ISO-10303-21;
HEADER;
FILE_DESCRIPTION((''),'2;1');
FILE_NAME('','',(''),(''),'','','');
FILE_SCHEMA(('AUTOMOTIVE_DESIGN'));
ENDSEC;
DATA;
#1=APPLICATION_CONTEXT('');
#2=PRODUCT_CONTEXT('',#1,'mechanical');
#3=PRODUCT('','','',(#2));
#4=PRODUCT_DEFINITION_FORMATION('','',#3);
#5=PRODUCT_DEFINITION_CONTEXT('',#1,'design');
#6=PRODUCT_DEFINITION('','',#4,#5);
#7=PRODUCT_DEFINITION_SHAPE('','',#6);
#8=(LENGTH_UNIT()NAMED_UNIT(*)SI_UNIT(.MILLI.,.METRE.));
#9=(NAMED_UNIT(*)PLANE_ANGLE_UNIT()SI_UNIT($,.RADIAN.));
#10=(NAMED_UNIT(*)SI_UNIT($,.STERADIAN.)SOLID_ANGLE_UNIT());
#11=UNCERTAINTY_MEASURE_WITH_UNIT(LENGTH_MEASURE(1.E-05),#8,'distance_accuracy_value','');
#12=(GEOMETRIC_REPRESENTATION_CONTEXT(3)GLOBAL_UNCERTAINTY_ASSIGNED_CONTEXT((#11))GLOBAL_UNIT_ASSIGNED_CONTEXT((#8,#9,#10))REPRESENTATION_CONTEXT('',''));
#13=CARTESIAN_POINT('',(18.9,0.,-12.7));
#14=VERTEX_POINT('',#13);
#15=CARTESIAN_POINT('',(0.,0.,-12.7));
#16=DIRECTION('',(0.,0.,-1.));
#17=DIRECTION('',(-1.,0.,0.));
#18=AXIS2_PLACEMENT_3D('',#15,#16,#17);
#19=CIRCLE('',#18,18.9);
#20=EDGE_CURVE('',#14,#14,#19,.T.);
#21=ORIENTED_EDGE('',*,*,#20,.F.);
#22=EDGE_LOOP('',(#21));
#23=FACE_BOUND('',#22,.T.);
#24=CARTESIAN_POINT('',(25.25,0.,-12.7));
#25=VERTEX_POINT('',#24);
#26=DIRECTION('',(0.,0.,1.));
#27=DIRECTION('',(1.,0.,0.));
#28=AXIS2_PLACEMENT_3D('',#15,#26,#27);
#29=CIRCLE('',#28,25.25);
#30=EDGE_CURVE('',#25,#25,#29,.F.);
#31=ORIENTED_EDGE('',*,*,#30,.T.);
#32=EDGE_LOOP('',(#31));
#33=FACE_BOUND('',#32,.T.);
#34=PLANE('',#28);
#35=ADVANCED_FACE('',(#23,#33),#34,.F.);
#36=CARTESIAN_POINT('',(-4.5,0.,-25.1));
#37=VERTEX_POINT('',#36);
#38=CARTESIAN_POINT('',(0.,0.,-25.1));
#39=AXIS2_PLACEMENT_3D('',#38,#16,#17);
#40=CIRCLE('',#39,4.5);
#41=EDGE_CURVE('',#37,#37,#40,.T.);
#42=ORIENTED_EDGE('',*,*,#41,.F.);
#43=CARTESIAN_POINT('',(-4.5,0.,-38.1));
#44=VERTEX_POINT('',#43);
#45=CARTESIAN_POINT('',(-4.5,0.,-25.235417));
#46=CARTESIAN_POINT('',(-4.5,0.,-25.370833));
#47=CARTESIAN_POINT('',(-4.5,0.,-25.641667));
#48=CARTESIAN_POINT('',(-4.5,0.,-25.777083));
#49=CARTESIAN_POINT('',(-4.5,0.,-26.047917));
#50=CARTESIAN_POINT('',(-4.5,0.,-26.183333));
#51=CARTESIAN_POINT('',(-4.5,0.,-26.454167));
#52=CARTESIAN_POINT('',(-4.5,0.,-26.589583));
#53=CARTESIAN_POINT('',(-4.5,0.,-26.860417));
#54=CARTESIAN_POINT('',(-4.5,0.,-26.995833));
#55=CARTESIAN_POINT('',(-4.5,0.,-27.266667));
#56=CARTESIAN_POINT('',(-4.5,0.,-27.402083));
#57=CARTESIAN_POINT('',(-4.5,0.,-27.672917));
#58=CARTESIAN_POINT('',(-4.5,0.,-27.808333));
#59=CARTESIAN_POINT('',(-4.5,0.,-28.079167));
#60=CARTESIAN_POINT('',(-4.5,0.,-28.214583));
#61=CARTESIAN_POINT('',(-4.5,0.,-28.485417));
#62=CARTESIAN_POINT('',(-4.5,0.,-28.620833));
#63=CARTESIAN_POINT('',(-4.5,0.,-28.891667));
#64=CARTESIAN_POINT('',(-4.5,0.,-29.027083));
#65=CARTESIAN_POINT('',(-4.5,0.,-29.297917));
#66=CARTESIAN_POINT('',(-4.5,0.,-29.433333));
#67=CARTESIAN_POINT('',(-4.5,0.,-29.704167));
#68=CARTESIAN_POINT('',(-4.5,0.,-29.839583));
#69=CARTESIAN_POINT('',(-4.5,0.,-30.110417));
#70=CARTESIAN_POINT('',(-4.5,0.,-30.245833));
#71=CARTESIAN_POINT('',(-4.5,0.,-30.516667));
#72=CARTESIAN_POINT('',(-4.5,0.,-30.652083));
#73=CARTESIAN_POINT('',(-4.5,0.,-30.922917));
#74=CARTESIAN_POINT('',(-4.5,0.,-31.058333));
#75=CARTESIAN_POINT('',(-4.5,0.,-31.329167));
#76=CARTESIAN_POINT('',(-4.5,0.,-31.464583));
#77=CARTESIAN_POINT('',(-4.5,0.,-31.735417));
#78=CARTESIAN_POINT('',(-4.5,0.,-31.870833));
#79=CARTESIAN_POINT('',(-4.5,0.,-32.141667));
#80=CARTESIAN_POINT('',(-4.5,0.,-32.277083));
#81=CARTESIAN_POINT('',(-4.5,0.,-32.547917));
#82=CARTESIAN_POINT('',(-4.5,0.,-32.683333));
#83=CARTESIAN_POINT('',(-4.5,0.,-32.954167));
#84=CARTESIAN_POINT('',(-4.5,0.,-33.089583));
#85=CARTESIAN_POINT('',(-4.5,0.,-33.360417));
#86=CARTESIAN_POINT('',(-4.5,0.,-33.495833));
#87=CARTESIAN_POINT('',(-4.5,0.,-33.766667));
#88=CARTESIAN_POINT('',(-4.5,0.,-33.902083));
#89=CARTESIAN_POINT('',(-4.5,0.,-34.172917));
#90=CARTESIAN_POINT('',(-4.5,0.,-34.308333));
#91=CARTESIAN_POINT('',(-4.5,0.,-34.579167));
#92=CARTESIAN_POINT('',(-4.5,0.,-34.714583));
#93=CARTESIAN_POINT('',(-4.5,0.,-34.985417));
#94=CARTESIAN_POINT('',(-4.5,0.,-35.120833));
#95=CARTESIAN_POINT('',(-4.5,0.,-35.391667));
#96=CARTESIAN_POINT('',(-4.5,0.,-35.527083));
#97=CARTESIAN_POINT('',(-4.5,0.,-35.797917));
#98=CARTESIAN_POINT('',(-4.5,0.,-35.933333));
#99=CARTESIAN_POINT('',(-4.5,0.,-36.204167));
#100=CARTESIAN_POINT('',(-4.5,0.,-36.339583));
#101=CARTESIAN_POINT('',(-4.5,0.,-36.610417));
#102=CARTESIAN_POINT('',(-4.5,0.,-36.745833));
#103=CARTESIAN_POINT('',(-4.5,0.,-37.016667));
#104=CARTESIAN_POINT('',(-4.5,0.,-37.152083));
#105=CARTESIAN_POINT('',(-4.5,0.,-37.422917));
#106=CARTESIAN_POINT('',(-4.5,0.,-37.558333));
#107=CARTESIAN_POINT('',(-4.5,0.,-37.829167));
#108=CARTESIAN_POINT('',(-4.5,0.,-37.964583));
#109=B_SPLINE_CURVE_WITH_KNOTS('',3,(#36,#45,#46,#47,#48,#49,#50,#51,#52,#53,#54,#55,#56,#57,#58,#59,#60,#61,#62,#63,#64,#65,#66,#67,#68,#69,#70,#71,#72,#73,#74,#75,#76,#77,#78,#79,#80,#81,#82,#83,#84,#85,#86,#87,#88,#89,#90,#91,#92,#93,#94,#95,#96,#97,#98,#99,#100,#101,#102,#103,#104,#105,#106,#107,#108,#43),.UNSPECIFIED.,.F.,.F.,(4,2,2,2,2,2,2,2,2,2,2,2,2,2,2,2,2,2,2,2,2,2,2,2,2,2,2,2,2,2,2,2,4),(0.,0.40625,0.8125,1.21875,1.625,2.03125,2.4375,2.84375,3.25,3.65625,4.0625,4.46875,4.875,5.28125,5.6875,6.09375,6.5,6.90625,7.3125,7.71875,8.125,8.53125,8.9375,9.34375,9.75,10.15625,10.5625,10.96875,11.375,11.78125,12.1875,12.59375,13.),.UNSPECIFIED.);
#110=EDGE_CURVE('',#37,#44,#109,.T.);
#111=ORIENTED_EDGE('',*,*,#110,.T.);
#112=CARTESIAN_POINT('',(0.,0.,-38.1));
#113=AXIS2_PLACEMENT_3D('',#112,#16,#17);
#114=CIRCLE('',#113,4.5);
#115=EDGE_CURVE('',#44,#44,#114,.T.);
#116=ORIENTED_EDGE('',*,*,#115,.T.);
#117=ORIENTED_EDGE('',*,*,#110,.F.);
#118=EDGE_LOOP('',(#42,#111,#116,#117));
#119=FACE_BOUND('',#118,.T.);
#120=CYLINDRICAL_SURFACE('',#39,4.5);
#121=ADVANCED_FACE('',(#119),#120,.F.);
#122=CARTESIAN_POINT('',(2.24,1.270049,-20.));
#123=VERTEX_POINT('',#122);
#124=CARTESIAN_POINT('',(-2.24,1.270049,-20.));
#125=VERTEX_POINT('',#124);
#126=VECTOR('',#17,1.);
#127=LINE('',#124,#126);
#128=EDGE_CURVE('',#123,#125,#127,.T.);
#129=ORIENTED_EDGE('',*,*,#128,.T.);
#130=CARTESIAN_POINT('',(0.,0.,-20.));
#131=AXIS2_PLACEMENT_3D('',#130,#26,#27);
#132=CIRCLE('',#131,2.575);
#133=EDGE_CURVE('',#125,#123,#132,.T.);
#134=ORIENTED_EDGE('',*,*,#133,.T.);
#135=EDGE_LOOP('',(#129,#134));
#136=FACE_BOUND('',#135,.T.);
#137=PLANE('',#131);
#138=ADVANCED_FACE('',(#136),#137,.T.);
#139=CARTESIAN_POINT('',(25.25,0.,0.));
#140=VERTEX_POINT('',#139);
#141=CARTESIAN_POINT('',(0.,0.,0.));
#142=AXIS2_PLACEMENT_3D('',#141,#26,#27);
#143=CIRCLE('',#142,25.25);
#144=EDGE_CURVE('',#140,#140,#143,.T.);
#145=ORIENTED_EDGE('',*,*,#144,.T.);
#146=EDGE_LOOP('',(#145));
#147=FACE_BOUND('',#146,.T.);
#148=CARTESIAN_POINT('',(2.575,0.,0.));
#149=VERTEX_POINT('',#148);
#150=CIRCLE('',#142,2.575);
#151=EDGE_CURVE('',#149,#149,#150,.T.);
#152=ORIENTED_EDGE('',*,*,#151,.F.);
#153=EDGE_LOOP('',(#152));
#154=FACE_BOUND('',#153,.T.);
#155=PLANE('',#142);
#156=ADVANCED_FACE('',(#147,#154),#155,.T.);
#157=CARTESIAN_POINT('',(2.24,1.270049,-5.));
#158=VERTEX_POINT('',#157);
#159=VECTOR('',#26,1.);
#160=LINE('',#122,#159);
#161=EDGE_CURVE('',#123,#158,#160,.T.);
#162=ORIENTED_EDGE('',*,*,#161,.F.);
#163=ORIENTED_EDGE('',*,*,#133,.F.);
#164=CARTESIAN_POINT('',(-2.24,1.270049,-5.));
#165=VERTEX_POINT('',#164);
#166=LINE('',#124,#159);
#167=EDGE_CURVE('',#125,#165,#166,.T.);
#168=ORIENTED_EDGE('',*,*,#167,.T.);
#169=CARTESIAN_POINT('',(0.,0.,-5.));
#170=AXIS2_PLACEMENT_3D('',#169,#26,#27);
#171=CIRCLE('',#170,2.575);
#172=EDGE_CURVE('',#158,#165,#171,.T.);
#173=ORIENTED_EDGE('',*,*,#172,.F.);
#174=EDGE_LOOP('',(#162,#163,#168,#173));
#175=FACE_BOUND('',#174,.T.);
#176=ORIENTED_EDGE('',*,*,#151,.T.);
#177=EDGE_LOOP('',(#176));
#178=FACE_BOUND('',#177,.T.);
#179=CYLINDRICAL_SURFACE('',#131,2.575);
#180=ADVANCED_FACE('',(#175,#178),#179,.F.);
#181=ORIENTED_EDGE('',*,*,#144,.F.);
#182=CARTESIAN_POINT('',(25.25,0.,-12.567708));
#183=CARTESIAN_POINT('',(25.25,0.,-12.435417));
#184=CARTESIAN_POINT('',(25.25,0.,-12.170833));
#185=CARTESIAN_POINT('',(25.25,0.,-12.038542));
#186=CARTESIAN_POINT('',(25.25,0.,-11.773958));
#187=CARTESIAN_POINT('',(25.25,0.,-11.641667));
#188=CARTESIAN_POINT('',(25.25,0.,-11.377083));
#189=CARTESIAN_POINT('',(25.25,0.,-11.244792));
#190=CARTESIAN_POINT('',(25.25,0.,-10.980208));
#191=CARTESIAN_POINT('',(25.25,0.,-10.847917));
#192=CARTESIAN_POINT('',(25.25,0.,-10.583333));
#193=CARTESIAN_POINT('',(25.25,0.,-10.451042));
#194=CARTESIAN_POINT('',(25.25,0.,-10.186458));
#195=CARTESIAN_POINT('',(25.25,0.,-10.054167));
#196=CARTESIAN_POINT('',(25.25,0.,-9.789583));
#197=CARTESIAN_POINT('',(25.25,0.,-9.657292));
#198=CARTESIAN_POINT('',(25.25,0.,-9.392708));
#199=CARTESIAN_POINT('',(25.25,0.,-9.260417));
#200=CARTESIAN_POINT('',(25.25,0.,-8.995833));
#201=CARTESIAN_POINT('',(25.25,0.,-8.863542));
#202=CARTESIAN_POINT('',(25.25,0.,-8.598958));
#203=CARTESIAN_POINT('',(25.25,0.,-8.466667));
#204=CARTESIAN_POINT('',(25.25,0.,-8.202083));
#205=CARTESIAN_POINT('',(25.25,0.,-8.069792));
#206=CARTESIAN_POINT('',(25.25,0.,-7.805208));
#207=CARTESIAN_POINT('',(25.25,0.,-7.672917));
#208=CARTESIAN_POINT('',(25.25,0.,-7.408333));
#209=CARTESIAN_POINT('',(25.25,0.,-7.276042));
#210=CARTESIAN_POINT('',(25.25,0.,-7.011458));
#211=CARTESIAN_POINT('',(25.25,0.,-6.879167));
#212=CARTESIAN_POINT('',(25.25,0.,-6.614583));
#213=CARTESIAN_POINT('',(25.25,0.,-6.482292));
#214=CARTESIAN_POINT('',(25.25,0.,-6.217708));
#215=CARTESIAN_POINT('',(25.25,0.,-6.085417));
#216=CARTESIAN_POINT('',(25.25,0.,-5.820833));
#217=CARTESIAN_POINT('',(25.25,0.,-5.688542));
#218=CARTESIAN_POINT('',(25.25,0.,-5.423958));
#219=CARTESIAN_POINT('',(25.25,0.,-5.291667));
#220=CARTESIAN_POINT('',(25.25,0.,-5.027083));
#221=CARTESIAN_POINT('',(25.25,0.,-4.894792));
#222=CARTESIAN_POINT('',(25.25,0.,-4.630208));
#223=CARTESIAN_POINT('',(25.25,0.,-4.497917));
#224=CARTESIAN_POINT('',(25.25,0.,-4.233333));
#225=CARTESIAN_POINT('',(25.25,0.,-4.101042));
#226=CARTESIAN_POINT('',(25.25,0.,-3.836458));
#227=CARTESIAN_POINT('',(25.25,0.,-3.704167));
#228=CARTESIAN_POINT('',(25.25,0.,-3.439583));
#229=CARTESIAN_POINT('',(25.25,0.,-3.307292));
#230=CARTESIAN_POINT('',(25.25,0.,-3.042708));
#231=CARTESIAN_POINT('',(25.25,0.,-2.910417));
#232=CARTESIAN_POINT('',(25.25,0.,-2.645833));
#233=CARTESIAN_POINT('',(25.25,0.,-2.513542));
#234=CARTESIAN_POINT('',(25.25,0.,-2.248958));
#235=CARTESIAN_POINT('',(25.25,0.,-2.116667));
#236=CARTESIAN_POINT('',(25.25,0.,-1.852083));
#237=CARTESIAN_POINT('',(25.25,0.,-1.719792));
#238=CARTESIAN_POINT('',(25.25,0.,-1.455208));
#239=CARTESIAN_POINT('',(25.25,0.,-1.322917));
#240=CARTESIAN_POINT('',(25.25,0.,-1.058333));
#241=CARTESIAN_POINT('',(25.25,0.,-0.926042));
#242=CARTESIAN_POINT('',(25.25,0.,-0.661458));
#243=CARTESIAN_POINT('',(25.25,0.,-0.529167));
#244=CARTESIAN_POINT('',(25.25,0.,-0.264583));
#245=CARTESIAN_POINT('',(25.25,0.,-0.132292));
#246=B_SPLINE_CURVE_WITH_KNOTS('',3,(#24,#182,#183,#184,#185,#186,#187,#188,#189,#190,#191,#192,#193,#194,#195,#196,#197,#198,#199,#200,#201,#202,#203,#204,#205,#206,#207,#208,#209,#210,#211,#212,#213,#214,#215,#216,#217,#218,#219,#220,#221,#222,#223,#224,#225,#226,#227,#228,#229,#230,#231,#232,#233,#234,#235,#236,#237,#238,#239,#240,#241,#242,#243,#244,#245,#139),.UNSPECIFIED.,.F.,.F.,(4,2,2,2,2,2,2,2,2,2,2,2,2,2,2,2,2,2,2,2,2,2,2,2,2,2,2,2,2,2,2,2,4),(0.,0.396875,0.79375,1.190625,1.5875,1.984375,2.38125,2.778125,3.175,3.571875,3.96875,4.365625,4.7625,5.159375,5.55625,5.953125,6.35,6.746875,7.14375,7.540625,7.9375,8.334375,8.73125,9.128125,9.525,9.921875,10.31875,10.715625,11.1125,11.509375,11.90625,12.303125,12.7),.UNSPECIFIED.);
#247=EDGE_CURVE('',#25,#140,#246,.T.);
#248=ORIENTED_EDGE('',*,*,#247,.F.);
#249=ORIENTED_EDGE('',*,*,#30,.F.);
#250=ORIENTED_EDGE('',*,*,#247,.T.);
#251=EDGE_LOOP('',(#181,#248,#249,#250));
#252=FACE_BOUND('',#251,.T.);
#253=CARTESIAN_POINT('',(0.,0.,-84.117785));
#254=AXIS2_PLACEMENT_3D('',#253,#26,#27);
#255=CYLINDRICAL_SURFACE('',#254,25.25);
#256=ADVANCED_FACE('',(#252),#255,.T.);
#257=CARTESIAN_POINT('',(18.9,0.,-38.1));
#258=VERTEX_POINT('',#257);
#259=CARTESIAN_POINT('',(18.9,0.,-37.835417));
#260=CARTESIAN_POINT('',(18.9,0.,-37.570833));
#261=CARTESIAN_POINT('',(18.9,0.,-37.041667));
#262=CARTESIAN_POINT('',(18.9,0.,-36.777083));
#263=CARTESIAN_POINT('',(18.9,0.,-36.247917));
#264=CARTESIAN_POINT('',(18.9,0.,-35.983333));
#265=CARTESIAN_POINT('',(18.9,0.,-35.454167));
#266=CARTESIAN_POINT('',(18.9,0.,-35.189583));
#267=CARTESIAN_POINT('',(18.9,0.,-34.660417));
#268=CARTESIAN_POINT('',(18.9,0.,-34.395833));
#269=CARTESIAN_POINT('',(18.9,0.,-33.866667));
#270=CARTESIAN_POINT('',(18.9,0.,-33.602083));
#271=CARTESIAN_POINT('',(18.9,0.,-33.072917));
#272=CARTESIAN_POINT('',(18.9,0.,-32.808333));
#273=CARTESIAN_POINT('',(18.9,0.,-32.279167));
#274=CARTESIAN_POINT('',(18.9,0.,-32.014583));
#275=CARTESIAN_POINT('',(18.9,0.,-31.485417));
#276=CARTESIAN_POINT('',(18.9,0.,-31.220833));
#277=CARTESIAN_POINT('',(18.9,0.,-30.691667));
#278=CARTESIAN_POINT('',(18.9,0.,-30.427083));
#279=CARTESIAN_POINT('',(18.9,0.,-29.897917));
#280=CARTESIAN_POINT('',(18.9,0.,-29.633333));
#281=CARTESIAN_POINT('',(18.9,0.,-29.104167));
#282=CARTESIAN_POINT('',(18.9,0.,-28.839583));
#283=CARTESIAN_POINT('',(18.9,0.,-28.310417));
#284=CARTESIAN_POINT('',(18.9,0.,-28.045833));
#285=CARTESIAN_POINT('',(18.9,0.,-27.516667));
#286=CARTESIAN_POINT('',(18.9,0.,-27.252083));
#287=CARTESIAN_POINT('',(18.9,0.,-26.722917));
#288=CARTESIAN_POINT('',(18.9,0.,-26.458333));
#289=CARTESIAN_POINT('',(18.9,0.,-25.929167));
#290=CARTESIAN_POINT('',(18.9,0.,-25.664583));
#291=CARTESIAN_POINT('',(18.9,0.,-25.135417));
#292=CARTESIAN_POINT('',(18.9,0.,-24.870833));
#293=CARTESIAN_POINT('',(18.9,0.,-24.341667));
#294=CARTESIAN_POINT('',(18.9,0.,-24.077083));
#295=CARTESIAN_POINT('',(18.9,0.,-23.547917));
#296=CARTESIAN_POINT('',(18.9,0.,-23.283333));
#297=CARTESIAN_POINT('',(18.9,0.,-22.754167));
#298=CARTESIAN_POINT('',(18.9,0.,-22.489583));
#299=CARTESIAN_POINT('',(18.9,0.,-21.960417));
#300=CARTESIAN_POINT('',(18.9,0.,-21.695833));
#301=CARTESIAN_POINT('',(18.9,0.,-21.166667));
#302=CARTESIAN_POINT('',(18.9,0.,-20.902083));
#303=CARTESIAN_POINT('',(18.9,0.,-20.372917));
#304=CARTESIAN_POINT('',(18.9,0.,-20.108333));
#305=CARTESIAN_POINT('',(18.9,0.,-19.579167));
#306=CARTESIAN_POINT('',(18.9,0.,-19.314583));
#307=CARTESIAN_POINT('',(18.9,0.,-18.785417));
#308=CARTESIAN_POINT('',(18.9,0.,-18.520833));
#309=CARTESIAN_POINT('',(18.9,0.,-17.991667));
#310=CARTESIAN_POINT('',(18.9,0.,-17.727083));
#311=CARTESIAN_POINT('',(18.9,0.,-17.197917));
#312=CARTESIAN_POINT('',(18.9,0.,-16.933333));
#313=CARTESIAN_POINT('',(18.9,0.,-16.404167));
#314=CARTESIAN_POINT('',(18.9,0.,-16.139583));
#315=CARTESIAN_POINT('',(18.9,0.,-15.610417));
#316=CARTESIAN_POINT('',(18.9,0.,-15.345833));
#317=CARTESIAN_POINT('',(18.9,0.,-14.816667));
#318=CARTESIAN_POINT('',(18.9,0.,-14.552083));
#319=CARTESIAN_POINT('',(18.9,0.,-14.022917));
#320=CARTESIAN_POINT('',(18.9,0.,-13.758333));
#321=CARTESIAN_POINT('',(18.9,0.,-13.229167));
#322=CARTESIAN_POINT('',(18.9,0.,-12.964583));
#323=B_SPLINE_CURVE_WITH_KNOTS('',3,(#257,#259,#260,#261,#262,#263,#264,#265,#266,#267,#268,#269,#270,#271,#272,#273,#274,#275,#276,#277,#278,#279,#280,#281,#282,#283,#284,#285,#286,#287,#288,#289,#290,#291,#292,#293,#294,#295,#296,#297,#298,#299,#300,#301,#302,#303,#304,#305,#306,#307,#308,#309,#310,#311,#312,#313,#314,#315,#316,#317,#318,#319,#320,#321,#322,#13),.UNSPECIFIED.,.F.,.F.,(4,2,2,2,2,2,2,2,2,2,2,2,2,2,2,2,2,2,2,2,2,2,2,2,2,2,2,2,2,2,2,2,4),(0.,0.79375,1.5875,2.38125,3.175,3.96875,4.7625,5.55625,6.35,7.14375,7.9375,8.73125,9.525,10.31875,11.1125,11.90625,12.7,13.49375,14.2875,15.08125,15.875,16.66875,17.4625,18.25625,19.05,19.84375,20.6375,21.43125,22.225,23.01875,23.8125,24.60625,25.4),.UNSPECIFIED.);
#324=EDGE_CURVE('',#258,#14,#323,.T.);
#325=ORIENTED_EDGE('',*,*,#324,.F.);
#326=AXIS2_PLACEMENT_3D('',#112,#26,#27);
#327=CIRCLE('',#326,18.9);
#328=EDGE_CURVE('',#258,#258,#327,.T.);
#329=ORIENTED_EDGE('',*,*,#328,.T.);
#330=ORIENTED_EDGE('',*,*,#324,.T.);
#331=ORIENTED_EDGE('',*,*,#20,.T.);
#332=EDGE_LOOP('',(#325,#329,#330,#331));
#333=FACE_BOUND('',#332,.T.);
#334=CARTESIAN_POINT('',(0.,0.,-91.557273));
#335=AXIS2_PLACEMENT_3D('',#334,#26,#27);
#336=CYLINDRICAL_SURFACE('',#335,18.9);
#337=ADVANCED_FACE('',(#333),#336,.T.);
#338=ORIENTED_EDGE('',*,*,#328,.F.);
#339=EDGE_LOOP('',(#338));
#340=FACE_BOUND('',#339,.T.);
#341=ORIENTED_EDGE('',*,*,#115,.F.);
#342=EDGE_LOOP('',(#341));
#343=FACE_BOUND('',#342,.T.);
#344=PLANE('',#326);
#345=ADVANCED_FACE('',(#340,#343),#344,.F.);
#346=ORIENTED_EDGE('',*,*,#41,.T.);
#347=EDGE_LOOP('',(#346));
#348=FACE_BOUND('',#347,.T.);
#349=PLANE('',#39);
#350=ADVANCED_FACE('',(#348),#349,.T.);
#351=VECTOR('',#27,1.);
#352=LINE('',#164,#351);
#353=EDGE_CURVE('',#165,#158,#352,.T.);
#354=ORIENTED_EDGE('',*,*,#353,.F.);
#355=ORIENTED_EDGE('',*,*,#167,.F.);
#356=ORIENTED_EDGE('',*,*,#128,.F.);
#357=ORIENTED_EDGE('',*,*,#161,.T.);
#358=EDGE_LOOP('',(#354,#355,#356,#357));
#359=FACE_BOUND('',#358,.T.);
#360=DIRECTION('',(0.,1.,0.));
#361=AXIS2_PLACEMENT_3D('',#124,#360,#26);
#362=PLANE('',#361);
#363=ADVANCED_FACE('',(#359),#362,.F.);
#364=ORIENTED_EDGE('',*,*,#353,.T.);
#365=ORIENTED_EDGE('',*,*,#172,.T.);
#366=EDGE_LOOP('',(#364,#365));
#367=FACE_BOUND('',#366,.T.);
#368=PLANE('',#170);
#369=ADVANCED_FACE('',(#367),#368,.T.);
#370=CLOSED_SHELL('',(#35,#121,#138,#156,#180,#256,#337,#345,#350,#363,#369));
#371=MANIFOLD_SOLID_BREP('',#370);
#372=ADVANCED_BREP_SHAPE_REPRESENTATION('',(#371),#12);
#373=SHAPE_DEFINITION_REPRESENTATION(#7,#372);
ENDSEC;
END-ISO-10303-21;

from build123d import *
from build123d.topology import SkipClean

# Parameters (mm, degrees)
SKETCH1_R           = 25.25
BOSS_EXTRUDE1_DEPTH = 12.7
SKETCH2_R           = 18.9
BOSS_EXTRUDE2_DEPTH = 25.4
SKETCH3_R           = 4.5
CUT_EXTRUDE1_DEPTH  = 13
CUT_EXTRUDE2_DEPTH  = 20
SKETCH5_R           = 2.575
CUT_EXTRUDE3_DEPTH  = 5


with BuildPart() as part:
    # Sketch1 → Boss-Extrude1 (new body)
    with BuildSketch(Plane.XY):
        Circle(SKETCH1_R)
    extrude(amount=-BOSS_EXTRUDE1_DEPTH)

    # Sketch2 → Boss-Extrude2 (add)
    with BuildSketch(Plane(origin=(0, 0, -12.7), x_dir=(-1, 0, 0), z_dir=(0, 0, -1))):
        with Locations(Location((0, 0, 0), (0, 0, 180))):
            Circle(SKETCH2_R)
    extrude(amount=BOSS_EXTRUDE2_DEPTH)

    # Sketch3 → Cut-Extrude1 (cut)
    with BuildSketch(Plane(origin=(0, 0, -38.1), x_dir=(-1, 0, 0), z_dir=(0, 0, -1))):
        Circle(SKETCH3_R)
    extrude(amount=-CUT_EXTRUDE1_DEPTH, mode=Mode.SUBTRACT)

    # Sketch4 → Cut-Extrude2 (cut)
    with BuildSketch(Plane.XY):
        with BuildLine():
            Line((-2.24, 1.270049212), (2.24, 1.270049212))
            ThreePointArc((2.24, 1.270049212), (0, -2.575), (-2.24, 1.270049212))
        make_face()
    extrude(amount=-CUT_EXTRUDE2_DEPTH, mode=Mode.SUBTRACT)

    # Sketch5 → Cut-Extrude3 (cut)
    with SkipClean():  # the faces are left unmerged after this step: merging them gives an invalid solid
        with BuildSketch(Plane.XY):
            Circle(SKETCH5_R)
        extrude(amount=-CUT_EXTRUDE3_DEPTH, mode=Mode.SUBTRACT)


solid = part.part
